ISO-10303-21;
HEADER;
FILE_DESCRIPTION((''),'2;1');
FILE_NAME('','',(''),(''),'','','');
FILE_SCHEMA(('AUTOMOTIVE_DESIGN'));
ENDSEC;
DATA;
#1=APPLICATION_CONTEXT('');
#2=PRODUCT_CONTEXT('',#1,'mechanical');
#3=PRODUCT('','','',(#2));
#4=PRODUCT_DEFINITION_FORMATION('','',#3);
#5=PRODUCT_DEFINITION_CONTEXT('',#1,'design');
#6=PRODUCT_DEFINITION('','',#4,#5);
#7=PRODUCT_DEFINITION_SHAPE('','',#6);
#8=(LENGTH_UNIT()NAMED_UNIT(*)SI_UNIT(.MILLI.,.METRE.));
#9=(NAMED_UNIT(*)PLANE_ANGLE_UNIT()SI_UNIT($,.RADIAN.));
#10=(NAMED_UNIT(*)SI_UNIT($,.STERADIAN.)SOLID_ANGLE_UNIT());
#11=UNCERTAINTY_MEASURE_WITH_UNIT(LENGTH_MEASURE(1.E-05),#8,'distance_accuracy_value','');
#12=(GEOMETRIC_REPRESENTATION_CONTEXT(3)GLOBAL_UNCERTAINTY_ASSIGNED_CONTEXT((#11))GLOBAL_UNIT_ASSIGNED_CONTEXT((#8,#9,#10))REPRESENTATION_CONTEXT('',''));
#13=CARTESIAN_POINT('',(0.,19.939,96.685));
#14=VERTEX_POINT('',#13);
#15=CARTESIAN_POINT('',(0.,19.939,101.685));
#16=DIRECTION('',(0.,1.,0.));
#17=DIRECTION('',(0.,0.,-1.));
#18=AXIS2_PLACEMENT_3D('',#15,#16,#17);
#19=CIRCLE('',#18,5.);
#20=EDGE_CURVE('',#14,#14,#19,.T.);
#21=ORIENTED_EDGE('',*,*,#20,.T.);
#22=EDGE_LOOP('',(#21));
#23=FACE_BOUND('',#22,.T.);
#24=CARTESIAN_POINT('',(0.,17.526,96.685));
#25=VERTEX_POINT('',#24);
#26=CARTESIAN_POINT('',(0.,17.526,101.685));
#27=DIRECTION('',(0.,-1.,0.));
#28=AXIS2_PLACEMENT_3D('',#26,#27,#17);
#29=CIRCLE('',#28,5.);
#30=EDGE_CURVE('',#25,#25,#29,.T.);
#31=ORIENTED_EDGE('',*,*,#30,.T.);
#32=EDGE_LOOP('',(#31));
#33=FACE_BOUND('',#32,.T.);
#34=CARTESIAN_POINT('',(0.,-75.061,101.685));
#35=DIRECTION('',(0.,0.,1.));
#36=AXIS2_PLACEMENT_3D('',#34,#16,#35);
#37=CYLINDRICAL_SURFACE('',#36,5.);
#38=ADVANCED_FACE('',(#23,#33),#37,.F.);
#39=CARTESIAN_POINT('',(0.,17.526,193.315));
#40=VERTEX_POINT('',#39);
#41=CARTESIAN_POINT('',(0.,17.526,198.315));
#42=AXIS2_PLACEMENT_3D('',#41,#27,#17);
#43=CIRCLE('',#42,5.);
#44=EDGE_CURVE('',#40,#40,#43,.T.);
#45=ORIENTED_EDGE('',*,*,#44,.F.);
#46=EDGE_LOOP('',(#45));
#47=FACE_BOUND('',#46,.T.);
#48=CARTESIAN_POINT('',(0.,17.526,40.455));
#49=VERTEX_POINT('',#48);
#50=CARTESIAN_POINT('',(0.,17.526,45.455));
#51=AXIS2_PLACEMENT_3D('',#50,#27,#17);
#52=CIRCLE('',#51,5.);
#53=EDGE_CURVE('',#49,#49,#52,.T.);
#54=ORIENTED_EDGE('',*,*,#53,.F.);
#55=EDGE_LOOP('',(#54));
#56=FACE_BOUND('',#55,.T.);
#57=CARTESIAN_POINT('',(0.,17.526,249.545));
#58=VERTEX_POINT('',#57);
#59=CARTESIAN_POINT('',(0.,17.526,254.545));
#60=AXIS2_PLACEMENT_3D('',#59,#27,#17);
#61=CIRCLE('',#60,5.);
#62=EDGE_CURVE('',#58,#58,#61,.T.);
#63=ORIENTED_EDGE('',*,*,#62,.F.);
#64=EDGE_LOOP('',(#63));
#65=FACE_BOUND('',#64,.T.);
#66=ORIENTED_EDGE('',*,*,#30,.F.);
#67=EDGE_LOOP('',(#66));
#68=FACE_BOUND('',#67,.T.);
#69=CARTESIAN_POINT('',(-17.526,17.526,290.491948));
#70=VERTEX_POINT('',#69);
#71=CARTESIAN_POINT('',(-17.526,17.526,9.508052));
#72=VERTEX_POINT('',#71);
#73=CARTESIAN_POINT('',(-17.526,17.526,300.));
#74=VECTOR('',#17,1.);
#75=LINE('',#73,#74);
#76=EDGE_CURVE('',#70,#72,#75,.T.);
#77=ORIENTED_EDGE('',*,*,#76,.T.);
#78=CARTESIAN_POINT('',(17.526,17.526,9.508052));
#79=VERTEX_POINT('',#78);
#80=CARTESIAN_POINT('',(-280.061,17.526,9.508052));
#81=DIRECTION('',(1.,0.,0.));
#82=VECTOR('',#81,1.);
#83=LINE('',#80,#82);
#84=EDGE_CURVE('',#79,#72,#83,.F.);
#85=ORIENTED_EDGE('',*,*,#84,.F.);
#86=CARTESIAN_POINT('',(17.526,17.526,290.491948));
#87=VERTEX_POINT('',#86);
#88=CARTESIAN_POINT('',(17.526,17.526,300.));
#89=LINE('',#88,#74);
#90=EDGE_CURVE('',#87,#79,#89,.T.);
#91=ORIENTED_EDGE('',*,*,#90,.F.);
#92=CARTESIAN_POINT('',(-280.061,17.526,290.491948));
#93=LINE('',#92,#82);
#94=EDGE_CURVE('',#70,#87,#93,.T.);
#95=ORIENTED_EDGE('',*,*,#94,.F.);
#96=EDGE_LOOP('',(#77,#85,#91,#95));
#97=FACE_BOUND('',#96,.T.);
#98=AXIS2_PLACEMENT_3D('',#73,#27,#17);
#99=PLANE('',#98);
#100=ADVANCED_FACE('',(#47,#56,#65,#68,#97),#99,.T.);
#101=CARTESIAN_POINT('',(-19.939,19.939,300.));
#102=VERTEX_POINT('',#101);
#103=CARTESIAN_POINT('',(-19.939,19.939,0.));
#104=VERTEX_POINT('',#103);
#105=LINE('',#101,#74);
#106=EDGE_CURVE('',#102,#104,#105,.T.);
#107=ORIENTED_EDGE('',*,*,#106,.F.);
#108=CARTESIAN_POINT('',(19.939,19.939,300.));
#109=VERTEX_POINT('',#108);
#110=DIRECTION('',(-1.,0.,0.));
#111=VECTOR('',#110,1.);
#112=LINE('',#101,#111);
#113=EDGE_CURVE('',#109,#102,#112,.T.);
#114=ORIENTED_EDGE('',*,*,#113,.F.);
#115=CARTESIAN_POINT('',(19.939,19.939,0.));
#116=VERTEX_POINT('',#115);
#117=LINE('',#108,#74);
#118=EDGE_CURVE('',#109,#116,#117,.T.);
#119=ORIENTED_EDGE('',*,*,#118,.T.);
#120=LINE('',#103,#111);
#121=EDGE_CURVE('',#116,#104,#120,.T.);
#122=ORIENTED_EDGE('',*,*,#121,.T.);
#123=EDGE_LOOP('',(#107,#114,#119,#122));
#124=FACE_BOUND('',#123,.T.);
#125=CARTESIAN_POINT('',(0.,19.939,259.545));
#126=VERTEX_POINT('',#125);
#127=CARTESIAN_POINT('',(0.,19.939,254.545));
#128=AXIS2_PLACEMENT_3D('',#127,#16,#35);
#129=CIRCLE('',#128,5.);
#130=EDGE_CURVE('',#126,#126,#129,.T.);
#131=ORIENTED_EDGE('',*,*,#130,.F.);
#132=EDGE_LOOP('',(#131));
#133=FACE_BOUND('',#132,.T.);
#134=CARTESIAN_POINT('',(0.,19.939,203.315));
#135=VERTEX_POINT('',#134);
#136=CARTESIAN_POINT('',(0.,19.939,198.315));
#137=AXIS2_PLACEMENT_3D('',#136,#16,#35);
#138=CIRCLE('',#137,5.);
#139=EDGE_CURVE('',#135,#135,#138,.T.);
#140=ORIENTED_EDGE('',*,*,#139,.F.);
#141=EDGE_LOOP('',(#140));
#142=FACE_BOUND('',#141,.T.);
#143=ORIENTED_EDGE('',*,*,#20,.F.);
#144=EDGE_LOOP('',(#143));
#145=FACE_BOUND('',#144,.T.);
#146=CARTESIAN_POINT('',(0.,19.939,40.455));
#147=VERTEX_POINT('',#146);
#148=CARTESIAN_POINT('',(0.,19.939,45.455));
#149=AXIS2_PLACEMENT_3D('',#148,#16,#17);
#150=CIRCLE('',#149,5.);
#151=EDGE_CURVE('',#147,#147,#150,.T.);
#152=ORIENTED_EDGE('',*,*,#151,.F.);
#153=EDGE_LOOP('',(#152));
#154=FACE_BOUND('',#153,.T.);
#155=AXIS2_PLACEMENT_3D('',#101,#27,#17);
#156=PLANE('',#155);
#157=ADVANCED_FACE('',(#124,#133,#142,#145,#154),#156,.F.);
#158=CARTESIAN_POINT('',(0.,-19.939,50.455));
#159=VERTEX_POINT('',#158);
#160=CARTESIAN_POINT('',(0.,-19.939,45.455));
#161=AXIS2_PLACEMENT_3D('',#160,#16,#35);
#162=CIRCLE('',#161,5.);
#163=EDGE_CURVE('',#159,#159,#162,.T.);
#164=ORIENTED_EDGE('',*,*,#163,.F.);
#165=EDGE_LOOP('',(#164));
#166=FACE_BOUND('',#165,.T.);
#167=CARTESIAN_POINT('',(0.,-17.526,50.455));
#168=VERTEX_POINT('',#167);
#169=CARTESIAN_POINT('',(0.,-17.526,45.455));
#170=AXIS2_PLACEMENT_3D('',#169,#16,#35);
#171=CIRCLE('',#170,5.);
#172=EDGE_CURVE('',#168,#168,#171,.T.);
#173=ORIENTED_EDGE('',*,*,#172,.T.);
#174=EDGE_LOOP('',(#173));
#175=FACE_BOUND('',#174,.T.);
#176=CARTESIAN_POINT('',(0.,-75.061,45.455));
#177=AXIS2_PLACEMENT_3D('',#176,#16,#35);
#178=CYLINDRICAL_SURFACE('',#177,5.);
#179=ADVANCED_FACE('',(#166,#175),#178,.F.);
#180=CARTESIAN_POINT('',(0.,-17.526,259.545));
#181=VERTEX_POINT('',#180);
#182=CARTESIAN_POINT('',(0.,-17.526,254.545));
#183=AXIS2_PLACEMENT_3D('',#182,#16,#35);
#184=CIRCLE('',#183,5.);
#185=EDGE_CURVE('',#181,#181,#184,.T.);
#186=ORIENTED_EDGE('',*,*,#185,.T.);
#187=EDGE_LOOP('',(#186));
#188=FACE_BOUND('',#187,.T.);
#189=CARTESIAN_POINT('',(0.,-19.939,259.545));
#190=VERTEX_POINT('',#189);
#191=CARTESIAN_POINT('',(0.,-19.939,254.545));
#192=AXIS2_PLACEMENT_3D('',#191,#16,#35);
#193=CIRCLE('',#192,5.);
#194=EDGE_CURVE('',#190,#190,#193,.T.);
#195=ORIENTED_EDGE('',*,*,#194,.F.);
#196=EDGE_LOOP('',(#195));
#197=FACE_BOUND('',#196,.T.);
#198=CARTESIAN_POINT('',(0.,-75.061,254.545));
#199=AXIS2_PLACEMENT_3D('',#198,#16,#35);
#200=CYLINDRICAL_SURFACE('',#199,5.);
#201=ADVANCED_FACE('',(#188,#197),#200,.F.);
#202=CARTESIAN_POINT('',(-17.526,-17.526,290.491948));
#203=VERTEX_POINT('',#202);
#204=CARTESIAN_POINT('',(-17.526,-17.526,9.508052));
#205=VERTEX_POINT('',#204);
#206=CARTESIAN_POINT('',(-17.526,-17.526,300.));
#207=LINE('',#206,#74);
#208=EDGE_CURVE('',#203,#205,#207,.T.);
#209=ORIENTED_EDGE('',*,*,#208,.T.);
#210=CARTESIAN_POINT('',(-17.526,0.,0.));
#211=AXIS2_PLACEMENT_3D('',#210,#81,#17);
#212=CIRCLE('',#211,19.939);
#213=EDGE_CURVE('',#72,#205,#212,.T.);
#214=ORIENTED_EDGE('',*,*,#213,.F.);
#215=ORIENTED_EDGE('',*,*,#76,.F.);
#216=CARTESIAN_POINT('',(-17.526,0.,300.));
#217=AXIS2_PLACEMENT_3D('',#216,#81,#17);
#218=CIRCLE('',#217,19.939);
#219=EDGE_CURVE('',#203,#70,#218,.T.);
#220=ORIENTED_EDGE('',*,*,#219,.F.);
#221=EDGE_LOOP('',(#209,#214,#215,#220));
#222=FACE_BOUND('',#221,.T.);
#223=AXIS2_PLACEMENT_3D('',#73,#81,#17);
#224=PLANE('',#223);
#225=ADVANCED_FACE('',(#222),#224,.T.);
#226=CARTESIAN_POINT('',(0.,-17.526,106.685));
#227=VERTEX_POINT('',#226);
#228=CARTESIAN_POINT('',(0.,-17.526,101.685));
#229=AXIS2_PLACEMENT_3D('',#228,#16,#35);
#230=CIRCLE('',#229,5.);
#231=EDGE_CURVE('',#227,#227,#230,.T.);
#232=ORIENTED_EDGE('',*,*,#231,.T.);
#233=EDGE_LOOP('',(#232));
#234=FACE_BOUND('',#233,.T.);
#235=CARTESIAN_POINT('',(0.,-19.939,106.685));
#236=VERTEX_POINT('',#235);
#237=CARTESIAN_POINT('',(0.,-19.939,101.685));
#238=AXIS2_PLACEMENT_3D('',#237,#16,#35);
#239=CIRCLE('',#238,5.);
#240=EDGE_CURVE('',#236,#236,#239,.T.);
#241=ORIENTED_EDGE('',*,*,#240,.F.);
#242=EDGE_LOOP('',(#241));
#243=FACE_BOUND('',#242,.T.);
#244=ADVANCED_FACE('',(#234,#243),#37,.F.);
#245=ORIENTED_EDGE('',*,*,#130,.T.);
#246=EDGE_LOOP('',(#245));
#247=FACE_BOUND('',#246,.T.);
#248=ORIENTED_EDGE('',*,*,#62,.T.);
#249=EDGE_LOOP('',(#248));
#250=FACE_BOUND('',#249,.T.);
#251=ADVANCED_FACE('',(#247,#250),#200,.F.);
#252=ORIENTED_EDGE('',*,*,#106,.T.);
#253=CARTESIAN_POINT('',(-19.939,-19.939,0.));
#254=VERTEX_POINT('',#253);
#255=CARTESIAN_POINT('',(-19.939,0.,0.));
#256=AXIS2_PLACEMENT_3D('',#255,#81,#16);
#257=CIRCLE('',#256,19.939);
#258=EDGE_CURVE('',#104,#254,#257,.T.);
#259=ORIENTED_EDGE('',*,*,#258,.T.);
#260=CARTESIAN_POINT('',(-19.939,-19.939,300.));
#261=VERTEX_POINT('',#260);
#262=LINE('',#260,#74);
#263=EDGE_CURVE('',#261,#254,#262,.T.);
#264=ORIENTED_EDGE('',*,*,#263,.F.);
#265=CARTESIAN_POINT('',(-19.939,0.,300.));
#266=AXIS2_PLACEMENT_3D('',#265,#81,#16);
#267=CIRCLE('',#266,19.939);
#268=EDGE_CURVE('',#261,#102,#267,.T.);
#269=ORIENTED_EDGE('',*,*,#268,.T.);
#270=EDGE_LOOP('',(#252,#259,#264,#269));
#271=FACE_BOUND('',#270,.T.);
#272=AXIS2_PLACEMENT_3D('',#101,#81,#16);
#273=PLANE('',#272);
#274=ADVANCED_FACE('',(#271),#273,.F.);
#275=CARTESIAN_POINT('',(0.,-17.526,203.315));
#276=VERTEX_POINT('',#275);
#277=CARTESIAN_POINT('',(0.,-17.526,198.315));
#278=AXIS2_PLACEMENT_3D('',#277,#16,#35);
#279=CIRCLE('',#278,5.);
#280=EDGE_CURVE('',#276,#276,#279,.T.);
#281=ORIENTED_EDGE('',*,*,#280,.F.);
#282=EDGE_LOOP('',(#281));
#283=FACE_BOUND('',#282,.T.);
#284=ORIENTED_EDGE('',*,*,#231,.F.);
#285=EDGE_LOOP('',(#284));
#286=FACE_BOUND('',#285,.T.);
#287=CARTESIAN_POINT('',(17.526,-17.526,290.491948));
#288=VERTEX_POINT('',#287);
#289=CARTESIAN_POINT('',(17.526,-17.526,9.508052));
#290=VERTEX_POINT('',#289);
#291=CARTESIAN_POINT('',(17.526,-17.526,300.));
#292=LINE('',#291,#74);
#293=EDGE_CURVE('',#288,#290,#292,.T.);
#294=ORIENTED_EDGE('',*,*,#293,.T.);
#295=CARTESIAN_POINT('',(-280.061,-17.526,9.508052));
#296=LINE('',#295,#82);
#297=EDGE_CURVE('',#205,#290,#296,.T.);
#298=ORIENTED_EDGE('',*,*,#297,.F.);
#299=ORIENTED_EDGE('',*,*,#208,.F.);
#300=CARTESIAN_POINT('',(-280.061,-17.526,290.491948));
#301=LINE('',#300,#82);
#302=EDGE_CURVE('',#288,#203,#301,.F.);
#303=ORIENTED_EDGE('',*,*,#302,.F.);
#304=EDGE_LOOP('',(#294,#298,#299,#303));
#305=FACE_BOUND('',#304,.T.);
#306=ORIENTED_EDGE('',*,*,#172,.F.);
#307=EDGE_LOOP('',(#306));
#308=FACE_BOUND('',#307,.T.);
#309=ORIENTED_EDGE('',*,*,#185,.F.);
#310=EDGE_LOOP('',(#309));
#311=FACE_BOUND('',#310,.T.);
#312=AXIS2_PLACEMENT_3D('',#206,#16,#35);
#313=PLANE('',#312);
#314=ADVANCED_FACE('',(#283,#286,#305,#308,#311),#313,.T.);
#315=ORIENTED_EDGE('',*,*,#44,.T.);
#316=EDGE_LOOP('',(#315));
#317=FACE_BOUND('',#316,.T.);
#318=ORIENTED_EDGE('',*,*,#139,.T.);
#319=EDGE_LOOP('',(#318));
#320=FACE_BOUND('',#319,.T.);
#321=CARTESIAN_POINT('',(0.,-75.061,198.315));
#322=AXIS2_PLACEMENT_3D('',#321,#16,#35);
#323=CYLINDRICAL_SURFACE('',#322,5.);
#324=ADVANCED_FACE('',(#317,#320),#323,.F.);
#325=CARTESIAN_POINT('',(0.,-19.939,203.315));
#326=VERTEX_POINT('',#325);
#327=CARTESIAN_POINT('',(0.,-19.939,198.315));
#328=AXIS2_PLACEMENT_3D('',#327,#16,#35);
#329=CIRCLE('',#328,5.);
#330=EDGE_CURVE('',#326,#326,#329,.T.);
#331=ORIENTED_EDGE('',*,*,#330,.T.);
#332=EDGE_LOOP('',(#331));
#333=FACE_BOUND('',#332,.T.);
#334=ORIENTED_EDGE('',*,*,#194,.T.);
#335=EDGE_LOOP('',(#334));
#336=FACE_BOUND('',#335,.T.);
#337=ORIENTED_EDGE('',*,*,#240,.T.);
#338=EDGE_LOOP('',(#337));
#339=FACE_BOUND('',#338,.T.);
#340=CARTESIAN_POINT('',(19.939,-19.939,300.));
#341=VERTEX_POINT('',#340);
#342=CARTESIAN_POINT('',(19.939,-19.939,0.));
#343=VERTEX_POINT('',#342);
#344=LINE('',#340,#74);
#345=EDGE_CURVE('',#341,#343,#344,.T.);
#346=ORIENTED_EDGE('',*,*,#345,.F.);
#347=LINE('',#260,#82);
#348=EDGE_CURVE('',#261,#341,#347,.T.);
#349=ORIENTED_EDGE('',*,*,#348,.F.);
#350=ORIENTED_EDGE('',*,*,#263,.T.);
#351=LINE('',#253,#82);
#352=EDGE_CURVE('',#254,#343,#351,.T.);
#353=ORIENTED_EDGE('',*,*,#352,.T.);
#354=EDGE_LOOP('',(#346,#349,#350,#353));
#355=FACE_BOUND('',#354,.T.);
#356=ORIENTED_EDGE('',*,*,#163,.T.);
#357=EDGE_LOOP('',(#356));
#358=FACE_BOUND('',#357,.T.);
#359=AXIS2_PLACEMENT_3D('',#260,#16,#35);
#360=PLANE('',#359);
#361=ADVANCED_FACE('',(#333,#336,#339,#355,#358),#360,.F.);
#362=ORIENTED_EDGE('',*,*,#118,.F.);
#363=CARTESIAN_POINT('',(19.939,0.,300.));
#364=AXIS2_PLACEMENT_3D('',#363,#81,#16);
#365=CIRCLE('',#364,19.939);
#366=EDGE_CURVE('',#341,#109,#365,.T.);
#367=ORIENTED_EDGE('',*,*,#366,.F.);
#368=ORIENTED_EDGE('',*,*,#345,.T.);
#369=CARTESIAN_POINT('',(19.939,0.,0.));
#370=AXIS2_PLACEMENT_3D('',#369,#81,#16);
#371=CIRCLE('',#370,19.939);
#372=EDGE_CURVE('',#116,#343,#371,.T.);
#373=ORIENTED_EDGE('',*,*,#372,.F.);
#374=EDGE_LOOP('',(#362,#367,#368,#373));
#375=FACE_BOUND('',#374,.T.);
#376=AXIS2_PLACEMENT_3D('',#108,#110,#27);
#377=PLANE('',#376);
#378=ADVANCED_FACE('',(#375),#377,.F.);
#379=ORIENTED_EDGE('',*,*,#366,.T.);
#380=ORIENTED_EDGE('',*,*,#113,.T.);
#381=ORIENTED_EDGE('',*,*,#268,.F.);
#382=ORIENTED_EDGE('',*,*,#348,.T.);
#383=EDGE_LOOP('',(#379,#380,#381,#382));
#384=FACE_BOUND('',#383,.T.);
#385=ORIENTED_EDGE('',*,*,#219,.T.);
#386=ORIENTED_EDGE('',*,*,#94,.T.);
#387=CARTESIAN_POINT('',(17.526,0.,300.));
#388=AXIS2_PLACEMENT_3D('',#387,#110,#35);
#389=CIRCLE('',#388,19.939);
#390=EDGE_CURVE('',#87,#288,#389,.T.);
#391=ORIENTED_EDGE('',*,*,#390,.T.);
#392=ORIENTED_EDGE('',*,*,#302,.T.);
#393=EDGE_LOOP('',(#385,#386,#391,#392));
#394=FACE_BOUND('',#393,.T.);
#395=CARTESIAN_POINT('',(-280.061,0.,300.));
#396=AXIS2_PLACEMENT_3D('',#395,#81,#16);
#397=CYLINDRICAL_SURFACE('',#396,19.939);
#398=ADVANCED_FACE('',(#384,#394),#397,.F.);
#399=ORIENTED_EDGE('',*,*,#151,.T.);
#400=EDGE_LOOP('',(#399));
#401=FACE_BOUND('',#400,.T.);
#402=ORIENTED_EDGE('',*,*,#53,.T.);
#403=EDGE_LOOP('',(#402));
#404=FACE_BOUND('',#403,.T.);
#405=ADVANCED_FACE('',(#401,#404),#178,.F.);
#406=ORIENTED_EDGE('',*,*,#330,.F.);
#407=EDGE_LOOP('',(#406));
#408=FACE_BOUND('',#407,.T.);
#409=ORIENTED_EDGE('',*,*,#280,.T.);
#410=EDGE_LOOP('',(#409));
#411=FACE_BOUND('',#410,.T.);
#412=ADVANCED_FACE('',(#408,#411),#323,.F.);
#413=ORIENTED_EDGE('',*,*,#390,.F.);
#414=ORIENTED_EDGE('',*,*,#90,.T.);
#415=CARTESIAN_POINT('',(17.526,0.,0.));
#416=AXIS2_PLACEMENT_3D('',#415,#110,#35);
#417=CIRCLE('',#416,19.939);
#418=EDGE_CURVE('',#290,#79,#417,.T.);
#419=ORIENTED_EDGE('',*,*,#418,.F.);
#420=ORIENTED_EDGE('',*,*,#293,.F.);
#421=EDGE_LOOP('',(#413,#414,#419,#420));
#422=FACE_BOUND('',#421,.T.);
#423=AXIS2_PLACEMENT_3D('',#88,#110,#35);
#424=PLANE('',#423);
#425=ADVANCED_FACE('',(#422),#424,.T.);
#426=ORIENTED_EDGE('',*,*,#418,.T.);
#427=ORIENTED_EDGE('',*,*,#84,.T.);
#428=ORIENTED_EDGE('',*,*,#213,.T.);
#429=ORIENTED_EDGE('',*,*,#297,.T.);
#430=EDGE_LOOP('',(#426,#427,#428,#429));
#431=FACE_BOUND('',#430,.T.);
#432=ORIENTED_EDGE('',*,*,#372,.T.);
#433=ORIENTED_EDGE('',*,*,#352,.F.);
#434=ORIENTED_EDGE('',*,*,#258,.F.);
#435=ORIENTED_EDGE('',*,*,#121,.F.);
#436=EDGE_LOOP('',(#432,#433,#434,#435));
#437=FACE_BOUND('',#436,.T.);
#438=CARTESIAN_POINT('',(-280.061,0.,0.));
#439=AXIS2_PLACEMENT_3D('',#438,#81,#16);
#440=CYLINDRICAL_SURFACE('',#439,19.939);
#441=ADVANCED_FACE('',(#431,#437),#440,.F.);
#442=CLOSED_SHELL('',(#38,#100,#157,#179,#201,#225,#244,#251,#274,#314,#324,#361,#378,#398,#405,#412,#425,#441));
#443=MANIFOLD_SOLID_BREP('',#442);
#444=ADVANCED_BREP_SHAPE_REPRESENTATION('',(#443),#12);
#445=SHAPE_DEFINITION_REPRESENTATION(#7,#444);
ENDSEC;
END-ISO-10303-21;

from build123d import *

# Parameters (mm, degrees)
SKETCH1_W           = 39.878
SKETCH1_H           = 39.878
SKETCH1_W_2         = 35.052
SKETCH1_H_2         = 35.052
BOSS_EXTRUDE1_DEPTH = 300
SKETCH2_R           = 19.939
CUT_EXTRUDE1_DEPTH  = 300
SKETCH3_R           = 5
CUT_EXTRUDE2_DEPTH  = 95


with BuildPart() as part:
    # Sketch1 → Boss-Extrude1 (new body)
    with BuildSketch(Plane.XY):
        Rectangle(SKETCH1_W, SKETCH1_H)
        Rectangle(SKETCH1_W_2, SKETCH1_H_2, mode=Mode.SUBTRACT)
    extrude(amount=BOSS_EXTRUDE1_DEPTH)

    # Sketch2 → Cut-Extrude1 (cut)
    with BuildSketch(Plane(origin=(19.939, 0, 0), x_dir=(0, 0, -1), z_dir=(1, 0, 0))):
        with Locations((-300, 0)):
            Circle(SKETCH2_R)
        Circle(SKETCH2_R)
    extrude(amount=-CUT_EXTRUDE1_DEPTH, mode=Mode.SUBTRACT)

    # Sketch3 → Cut-Extrude2 (cut)
    with BuildSketch(Plane(origin=(0, 19.939, 0), x_dir=(1, 0, 0), z_dir=(0, 1, 0))):
        with Locations(Location((0, -198.315, 0), (0, 0, 270))):
            Circle(SKETCH3_R)
        with Locations(Location((0, -254.545, 0), (0, 0, 270))):
            Circle(SKETCH3_R)
        with Locations(Location((0, -101.685, 0), (0, 0, 270))):
            Circle(SKETCH3_R)
        with Locations(Location((0, -45.455, 0), (0, 0, 270))):
            Circle(SKETCH3_R)
    extrude(amount=-CUT_EXTRUDE2_DEPTH, mode=Mode.SUBTRACT)


solid = part.part
